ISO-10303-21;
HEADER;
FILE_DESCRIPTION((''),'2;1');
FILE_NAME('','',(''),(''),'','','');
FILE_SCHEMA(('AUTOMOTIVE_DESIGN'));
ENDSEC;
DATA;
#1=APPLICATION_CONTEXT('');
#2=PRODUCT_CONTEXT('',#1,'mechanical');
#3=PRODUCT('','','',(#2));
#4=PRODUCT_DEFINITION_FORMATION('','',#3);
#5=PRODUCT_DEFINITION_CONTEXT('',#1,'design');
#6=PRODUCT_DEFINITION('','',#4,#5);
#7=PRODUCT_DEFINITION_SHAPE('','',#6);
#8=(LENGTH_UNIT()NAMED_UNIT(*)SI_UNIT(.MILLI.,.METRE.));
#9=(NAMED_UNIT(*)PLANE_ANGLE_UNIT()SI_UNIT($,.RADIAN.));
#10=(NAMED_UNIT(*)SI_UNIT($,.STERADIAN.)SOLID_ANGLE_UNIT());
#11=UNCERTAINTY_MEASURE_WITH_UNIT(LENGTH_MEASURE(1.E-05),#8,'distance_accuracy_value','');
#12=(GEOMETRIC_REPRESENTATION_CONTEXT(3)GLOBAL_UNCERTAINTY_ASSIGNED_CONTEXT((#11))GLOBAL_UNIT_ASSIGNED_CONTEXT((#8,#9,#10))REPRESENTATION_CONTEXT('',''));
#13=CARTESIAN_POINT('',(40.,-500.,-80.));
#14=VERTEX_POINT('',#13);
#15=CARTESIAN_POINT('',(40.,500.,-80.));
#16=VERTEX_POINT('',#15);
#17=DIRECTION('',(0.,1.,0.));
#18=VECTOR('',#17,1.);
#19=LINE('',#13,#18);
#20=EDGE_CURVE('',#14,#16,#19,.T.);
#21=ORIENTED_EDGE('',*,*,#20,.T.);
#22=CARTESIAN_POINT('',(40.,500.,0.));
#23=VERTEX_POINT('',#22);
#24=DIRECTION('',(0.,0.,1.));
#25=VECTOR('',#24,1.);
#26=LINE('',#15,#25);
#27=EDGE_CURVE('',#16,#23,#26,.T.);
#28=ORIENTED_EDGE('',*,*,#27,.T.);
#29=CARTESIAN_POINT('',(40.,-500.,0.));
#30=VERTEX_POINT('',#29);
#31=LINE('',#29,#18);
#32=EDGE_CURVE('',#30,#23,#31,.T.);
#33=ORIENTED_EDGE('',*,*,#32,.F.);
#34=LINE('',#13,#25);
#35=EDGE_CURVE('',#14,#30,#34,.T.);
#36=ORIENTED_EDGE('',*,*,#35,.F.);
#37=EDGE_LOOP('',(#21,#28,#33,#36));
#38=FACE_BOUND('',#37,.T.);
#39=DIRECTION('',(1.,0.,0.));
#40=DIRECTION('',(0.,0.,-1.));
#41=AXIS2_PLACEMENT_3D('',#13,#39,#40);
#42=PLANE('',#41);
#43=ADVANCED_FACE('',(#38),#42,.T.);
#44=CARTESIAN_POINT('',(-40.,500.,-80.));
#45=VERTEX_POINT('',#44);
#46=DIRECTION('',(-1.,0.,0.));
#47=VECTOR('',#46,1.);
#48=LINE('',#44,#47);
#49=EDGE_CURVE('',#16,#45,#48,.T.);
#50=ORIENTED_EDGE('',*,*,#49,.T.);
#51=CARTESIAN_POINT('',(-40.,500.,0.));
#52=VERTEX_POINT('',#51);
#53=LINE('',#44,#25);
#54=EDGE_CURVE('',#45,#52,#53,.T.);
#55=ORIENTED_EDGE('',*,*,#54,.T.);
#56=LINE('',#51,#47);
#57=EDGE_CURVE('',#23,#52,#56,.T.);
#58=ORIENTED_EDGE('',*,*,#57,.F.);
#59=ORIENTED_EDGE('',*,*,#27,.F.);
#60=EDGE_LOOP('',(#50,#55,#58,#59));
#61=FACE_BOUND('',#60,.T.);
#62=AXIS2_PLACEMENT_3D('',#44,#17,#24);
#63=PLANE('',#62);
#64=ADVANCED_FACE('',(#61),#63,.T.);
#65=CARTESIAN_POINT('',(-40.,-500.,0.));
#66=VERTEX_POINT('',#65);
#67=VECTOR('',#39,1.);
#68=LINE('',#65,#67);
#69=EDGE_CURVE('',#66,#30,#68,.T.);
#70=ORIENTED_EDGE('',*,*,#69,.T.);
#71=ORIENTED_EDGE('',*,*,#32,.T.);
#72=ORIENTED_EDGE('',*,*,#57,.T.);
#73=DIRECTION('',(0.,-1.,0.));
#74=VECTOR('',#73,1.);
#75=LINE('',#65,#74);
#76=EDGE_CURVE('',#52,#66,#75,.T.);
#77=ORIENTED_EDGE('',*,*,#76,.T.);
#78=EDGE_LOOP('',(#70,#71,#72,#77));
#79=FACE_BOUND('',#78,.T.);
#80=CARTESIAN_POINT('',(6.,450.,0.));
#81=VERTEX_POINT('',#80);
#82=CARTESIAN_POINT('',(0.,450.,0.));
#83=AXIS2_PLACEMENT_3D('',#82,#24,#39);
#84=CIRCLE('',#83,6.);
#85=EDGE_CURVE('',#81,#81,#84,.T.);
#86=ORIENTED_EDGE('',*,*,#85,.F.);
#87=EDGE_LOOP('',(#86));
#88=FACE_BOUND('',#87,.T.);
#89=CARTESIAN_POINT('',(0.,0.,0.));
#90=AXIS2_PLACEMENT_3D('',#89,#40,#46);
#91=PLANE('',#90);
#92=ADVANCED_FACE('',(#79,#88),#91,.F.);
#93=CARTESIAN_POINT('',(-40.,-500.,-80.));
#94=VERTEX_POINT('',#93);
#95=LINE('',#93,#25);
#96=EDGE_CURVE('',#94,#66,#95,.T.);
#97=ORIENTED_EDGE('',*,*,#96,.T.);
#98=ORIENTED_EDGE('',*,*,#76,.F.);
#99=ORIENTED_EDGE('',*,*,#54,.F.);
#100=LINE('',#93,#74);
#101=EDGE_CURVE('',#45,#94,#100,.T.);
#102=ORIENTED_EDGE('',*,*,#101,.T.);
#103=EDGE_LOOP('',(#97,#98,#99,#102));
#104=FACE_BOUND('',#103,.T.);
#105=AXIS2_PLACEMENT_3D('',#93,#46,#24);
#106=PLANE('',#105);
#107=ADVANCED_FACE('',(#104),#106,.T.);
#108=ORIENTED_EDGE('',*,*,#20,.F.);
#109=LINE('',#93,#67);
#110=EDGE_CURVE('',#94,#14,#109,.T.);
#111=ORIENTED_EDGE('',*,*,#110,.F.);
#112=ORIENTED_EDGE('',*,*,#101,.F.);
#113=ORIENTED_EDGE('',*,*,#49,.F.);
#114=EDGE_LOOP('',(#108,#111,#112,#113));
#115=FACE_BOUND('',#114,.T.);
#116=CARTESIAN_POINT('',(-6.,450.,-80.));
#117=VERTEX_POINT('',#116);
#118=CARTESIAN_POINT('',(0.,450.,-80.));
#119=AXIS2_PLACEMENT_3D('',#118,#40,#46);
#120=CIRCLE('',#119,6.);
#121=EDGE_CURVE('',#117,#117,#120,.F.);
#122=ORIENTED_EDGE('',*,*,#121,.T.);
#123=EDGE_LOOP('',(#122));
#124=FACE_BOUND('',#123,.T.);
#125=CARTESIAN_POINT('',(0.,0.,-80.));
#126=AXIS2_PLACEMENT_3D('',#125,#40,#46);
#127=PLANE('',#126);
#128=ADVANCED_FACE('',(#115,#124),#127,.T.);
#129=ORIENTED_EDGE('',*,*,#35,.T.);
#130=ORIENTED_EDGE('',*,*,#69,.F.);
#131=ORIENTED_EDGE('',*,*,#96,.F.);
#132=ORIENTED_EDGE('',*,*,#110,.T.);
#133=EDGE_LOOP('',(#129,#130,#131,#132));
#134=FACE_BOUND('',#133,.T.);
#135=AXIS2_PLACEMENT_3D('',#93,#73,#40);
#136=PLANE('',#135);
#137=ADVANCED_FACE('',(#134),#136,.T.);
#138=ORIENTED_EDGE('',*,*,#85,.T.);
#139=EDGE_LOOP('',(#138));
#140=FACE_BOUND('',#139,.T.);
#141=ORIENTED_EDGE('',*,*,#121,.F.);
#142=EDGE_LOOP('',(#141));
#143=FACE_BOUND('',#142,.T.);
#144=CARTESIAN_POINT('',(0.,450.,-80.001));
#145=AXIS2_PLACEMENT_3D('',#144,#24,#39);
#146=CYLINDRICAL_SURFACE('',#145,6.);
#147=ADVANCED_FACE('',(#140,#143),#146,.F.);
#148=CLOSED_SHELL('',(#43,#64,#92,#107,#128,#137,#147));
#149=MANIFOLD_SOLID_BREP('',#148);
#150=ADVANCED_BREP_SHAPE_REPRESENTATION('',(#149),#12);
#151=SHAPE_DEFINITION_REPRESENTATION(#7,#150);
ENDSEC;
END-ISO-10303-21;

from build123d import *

# Parameters (mm, degrees)
IZIM1_W                     = 80
IZIM1_H                     = 1000
Y_KSEKLIK_EKSTR_ZYON1_DEPTH = 80
KES_EKSTR_ZYON1_REACH       = 82
IZIM2_R                     = 6


with BuildPart() as part:
    # Çizim1 → Yükseklik-Ekstrüzyon1 (new body)
    with BuildSketch(Plane.XY):
        Rectangle(IZIM1_W, IZIM1_H)
    extrude(amount=-Y_KSEKLIK_EKSTR_ZYON1_DEPTH)

    # Çizim2 → Kes-Ekstrüzyon1 (cut, up to next)
    with BuildSketch(Plane.XY, mode=Mode.PRIVATE) as kes_ekstr_zyon1_sk1:
        with Locations((0, 450)):
            Circle(IZIM2_R)
    kes_ekstr_zyon1_tool1 = extrude(kes_ekstr_zyon1_sk1.sketch, amount=-KES_EKSTR_ZYON1_REACH, mode=Mode.PRIVATE) & part.part
    add(kes_ekstr_zyon1_tool1.solids().sort_by_distance((0, 450, 0))[0], mode=Mode.SUBTRACT)


solid = part.part
